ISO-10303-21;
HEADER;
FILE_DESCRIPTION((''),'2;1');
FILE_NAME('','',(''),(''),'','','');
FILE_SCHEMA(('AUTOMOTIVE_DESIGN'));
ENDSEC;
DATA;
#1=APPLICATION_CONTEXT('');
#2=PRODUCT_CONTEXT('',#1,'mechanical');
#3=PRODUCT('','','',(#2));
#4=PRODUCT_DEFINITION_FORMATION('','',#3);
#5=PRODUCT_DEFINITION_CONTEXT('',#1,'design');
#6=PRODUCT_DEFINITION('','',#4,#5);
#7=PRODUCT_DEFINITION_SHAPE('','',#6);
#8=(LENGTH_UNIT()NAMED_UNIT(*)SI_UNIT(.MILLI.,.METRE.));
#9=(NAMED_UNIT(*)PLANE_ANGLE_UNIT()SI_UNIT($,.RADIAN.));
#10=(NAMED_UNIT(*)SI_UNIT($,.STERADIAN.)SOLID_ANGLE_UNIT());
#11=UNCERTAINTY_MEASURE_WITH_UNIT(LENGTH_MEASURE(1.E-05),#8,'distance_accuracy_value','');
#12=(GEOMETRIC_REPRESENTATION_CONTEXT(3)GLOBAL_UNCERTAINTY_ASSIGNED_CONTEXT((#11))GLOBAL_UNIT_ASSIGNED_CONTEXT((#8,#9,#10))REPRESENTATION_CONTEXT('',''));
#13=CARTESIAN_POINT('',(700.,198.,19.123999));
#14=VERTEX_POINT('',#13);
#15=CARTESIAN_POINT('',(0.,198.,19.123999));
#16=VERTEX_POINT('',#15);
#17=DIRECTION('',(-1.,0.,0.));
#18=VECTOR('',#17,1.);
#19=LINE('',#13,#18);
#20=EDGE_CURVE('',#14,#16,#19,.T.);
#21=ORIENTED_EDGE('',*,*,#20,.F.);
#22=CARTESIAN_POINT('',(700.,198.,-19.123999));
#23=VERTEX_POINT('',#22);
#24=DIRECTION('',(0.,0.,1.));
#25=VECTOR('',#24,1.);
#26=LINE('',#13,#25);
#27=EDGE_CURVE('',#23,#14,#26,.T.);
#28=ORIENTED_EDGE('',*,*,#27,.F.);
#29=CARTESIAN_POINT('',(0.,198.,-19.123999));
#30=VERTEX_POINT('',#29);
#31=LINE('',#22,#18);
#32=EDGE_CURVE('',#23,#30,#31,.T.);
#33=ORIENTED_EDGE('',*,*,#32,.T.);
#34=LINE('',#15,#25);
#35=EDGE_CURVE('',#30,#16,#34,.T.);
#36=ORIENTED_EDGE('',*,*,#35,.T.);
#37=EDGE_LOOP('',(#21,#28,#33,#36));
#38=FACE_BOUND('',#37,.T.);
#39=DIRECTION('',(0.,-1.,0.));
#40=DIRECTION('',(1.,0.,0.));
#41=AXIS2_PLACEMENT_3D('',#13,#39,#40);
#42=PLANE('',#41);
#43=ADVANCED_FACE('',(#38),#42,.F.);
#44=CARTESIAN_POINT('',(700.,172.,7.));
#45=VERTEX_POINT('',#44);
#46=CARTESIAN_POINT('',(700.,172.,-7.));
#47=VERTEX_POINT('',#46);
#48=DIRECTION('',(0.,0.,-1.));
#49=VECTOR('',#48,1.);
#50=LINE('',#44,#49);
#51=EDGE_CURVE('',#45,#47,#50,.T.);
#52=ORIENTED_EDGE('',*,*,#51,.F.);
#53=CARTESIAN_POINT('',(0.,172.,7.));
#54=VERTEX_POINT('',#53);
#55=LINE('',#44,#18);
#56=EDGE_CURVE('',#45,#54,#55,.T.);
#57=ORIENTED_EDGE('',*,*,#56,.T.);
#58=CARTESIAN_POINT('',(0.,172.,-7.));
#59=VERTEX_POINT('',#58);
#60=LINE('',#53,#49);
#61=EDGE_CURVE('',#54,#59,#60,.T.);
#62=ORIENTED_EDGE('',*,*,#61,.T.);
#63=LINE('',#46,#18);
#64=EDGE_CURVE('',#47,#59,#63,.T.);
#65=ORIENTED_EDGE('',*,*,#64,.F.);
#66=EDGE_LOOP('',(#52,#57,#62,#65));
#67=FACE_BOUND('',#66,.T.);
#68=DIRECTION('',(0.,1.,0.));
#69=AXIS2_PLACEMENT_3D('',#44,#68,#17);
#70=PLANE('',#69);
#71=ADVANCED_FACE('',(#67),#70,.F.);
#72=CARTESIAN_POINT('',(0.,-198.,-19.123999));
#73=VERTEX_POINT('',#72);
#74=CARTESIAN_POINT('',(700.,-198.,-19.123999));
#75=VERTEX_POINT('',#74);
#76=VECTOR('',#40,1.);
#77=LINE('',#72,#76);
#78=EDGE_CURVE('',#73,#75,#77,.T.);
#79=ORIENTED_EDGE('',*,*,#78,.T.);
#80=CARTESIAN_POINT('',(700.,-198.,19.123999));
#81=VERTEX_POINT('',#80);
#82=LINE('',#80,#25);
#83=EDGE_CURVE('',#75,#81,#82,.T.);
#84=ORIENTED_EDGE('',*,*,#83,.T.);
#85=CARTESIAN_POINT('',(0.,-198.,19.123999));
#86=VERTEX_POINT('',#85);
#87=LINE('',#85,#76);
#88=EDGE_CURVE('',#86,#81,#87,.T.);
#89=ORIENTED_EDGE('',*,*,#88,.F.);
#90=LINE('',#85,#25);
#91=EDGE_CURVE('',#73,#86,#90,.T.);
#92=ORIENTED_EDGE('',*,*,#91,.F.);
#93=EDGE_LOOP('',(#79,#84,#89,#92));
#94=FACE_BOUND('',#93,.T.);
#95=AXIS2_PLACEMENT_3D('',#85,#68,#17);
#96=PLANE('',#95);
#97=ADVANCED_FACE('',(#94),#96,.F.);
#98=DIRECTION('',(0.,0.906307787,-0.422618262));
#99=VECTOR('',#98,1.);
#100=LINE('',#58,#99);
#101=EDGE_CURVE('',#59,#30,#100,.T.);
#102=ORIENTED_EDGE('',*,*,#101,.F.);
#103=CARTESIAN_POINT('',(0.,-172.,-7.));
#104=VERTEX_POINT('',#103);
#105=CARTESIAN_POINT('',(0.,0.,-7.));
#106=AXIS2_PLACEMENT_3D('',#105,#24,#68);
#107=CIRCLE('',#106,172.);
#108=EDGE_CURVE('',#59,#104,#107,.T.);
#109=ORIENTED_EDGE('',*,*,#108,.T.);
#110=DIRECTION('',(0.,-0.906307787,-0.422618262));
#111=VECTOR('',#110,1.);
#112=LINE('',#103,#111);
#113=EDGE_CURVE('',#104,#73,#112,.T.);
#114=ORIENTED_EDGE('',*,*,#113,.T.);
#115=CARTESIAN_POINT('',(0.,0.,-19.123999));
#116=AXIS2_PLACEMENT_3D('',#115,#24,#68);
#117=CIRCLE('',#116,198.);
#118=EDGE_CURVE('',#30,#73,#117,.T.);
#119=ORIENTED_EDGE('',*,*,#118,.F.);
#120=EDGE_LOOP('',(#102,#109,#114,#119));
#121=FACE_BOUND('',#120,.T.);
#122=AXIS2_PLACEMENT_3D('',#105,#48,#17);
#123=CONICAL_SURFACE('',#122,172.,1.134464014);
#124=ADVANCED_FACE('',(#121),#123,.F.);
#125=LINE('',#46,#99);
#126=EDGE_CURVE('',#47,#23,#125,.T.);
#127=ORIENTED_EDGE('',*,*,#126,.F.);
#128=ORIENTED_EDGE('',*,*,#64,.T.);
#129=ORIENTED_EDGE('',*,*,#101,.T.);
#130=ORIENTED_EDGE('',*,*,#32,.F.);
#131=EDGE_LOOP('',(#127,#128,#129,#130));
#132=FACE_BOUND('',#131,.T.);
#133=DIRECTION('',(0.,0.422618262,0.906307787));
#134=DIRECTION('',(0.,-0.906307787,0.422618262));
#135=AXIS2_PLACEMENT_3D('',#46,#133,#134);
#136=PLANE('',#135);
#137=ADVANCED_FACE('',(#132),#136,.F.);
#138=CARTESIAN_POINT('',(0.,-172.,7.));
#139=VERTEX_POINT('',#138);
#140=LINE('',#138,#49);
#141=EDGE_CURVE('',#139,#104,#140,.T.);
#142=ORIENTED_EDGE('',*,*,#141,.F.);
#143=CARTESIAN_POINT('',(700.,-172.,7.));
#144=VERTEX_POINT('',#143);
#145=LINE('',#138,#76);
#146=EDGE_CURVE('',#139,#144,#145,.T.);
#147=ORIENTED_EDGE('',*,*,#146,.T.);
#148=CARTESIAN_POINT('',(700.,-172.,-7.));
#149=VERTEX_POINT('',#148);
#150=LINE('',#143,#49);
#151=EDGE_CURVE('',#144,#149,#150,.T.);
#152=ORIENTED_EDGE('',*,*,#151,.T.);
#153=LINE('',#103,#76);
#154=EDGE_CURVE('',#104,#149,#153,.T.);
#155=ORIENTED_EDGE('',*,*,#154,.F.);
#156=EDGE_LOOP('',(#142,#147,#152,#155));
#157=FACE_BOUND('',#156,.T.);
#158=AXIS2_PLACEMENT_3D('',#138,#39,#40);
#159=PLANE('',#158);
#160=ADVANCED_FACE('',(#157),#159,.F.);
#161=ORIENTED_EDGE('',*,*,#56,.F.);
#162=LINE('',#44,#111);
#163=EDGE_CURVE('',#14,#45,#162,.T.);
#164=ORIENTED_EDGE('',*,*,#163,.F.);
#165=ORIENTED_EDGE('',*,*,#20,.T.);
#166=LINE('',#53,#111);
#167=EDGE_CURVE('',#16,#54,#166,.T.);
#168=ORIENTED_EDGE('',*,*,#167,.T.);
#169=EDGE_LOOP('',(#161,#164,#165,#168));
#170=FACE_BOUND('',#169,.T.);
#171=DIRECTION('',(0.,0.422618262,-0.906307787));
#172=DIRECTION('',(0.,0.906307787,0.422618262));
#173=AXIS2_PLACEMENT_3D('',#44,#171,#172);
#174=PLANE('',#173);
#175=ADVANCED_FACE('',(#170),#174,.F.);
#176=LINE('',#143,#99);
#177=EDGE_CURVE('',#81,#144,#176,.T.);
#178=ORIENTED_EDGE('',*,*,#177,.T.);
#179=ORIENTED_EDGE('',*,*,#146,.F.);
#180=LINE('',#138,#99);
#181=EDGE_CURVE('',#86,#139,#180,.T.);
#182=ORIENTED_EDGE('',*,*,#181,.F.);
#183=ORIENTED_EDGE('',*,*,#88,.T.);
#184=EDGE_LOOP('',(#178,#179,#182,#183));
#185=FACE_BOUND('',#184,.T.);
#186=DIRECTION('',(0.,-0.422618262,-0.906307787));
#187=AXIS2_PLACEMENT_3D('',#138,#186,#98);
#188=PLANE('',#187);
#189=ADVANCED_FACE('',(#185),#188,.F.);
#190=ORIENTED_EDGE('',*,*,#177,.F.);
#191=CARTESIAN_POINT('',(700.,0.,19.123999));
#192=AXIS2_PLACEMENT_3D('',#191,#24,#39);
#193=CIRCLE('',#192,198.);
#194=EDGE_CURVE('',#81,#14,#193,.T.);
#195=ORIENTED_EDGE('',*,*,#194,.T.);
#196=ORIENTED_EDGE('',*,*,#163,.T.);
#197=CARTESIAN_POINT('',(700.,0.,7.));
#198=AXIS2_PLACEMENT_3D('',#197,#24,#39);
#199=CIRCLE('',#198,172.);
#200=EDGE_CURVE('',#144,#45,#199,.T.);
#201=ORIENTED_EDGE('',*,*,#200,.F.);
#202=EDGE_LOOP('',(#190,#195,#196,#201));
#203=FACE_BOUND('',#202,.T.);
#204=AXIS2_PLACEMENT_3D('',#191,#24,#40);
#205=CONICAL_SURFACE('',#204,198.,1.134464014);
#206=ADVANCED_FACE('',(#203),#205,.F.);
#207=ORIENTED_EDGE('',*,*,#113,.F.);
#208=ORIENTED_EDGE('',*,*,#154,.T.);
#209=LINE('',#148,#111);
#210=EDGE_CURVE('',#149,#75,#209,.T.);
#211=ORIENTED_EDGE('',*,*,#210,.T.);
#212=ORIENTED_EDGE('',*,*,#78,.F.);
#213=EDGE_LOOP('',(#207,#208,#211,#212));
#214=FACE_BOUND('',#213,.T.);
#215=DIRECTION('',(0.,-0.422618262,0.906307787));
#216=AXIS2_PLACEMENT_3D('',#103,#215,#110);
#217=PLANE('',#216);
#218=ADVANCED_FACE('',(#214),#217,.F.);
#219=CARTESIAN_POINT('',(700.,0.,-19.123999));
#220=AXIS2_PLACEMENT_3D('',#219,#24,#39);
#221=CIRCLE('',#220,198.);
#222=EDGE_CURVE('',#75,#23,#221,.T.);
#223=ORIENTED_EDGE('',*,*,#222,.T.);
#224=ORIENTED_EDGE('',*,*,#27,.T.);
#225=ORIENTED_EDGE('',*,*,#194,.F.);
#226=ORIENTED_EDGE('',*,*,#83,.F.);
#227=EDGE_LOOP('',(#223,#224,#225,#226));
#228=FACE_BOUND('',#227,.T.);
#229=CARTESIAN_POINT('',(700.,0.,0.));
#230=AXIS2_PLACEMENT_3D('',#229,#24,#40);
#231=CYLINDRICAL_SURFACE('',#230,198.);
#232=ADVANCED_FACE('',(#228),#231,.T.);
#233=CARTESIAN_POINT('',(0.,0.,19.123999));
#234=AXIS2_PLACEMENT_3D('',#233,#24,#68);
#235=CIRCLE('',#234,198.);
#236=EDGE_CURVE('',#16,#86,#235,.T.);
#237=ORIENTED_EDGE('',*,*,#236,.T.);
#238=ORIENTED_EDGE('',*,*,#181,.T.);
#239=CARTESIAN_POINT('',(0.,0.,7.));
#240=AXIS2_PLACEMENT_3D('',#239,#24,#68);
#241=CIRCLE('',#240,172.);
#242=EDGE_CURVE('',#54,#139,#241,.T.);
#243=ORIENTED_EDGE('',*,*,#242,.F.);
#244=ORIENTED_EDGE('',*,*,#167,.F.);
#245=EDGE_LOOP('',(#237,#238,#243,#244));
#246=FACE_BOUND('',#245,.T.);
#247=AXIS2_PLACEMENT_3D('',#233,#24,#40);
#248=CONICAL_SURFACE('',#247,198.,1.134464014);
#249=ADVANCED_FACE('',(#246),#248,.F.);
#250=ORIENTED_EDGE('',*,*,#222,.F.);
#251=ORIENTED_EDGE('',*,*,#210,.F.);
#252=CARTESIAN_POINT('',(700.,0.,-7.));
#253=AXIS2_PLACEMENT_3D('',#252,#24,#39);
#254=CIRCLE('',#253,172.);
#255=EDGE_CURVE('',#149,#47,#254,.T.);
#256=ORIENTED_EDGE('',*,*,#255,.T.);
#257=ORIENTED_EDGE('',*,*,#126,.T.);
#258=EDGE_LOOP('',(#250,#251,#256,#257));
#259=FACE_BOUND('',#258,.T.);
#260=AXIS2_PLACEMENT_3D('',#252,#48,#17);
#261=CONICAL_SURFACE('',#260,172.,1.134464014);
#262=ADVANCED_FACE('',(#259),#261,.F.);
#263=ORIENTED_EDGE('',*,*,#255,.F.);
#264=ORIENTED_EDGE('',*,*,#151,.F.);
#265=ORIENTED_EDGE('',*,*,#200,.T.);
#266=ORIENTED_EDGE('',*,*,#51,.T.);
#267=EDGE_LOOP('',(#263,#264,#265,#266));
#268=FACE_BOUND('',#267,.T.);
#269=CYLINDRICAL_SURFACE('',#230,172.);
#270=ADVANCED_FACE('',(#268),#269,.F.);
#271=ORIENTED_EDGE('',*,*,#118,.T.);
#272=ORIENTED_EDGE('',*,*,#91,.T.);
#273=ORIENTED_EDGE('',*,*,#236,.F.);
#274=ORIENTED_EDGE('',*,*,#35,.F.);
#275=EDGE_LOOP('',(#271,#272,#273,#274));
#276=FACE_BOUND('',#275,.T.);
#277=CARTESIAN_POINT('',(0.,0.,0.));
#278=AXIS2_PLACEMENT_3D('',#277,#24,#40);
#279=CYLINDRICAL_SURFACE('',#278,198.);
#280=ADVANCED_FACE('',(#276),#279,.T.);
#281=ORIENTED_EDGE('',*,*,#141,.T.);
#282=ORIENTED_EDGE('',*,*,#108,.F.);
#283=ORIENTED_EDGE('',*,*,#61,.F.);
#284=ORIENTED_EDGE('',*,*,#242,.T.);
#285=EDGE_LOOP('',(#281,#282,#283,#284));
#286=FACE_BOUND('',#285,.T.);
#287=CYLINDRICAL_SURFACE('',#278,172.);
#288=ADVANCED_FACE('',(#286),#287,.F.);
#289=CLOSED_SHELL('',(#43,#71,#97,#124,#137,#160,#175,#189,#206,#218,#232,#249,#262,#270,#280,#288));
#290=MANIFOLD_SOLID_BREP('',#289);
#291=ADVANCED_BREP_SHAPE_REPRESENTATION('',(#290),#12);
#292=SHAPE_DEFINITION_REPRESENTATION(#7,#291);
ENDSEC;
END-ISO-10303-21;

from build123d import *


with BuildPart() as part:
    # Barrer1: sweep along a path in Croquis2
    with BuildLine(Plane.XY) as barrer1_path:
        Line((0, 172), (700, 172))
        ThreePointArc((700, 172), (872, 0), (700, -172))
        Line((700, -172), (0, -172))
        ThreePointArc((0, -172), (-172, 0), (0, 172))
    # Croquis3 → Barrer1 (sweep)
    with BuildSketch(Plane(origin=(0, 0, 0), x_dir=(0, 0, -1), z_dir=(1, 0, 0))):
        Polygon((-7, 172), (7, 172), (19.123999112, 198), (-19.123999112, 198), align=None)
    sweep(path=barrer1_path.line)


solid = part.part
